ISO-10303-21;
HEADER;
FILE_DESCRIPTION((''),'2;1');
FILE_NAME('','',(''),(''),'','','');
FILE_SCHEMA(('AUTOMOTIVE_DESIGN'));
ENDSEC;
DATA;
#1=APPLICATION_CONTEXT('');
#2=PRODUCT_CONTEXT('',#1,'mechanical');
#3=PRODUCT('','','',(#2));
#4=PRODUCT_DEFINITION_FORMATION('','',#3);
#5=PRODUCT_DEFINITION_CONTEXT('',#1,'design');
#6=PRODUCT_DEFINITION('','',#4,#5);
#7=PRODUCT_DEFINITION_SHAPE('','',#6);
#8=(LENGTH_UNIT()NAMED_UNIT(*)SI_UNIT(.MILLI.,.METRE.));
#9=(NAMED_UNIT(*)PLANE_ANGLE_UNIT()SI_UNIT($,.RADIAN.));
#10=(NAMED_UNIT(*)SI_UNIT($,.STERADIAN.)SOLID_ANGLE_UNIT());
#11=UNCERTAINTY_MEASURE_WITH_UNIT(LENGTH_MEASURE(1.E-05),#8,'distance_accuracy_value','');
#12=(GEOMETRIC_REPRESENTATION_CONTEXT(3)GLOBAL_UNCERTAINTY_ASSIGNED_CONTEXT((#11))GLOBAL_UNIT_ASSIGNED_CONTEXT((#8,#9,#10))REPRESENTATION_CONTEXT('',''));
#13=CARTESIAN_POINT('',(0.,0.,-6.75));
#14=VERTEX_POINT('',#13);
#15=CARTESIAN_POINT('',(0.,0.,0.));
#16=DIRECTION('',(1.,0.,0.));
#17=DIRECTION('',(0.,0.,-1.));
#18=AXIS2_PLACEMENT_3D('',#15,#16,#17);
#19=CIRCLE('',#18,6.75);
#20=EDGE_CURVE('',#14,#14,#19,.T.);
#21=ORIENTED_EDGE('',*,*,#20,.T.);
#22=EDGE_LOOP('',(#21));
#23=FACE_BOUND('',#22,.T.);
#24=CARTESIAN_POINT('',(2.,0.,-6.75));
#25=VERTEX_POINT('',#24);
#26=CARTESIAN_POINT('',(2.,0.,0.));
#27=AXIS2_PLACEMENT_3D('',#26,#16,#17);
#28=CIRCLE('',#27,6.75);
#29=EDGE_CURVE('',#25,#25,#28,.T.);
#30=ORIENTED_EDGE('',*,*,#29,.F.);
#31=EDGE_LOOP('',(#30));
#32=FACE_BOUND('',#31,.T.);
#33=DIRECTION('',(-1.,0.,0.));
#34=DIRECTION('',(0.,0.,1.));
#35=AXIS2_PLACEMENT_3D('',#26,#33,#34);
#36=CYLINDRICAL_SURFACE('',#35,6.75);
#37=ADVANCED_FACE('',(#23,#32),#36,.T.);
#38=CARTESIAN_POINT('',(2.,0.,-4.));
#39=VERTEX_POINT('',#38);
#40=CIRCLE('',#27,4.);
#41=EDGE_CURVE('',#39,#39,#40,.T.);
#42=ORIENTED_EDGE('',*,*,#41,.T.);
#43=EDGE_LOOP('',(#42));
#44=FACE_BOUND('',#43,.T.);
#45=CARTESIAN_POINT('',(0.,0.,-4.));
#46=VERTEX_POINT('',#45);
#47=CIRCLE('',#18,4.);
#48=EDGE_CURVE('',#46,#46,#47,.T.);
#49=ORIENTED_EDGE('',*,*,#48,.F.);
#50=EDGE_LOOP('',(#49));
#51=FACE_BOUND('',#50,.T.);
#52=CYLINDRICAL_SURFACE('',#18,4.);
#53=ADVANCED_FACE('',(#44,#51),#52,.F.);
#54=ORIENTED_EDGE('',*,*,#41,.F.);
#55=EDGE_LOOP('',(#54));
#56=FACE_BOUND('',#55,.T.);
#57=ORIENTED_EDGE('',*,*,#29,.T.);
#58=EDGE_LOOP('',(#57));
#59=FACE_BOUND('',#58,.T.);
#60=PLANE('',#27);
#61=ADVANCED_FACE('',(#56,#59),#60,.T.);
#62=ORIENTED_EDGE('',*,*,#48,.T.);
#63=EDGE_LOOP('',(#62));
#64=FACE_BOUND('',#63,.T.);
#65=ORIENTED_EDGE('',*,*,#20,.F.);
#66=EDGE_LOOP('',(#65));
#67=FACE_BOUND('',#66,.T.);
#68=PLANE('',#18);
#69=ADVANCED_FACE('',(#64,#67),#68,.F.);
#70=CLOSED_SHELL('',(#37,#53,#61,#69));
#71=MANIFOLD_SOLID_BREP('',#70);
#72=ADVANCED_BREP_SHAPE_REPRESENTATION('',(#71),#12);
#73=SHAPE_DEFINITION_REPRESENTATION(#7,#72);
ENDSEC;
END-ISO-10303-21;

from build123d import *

# Parameters (mm, degrees)
SKETCH1_R           = 6.75
BOSS_EXTRUDE1_DEPTH = 2
SKETCH2_R           = 4
CUT_EXTRUDE1_DEPTH  = 3


with BuildPart() as part:
    # Sketch1 → Boss-Extrude1 (new body)
    with BuildSketch(Plane(origin=(0, 0, 0), x_dir=(0, 0, -1), z_dir=(1, 0, 0))):
        Circle(SKETCH1_R)
    extrude(amount=BOSS_EXTRUDE1_DEPTH)

    # Sketch2 → Cut-Extrude1 (cut, through all)
    with BuildSketch(Plane(origin=(2, 0, 0), x_dir=(0, 0, -1), z_dir=(1, 0, 0))):
        Circle(SKETCH2_R)
    extrude(amount=-CUT_EXTRUDE1_DEPTH, mode=Mode.SUBTRACT)


solid = part.part
